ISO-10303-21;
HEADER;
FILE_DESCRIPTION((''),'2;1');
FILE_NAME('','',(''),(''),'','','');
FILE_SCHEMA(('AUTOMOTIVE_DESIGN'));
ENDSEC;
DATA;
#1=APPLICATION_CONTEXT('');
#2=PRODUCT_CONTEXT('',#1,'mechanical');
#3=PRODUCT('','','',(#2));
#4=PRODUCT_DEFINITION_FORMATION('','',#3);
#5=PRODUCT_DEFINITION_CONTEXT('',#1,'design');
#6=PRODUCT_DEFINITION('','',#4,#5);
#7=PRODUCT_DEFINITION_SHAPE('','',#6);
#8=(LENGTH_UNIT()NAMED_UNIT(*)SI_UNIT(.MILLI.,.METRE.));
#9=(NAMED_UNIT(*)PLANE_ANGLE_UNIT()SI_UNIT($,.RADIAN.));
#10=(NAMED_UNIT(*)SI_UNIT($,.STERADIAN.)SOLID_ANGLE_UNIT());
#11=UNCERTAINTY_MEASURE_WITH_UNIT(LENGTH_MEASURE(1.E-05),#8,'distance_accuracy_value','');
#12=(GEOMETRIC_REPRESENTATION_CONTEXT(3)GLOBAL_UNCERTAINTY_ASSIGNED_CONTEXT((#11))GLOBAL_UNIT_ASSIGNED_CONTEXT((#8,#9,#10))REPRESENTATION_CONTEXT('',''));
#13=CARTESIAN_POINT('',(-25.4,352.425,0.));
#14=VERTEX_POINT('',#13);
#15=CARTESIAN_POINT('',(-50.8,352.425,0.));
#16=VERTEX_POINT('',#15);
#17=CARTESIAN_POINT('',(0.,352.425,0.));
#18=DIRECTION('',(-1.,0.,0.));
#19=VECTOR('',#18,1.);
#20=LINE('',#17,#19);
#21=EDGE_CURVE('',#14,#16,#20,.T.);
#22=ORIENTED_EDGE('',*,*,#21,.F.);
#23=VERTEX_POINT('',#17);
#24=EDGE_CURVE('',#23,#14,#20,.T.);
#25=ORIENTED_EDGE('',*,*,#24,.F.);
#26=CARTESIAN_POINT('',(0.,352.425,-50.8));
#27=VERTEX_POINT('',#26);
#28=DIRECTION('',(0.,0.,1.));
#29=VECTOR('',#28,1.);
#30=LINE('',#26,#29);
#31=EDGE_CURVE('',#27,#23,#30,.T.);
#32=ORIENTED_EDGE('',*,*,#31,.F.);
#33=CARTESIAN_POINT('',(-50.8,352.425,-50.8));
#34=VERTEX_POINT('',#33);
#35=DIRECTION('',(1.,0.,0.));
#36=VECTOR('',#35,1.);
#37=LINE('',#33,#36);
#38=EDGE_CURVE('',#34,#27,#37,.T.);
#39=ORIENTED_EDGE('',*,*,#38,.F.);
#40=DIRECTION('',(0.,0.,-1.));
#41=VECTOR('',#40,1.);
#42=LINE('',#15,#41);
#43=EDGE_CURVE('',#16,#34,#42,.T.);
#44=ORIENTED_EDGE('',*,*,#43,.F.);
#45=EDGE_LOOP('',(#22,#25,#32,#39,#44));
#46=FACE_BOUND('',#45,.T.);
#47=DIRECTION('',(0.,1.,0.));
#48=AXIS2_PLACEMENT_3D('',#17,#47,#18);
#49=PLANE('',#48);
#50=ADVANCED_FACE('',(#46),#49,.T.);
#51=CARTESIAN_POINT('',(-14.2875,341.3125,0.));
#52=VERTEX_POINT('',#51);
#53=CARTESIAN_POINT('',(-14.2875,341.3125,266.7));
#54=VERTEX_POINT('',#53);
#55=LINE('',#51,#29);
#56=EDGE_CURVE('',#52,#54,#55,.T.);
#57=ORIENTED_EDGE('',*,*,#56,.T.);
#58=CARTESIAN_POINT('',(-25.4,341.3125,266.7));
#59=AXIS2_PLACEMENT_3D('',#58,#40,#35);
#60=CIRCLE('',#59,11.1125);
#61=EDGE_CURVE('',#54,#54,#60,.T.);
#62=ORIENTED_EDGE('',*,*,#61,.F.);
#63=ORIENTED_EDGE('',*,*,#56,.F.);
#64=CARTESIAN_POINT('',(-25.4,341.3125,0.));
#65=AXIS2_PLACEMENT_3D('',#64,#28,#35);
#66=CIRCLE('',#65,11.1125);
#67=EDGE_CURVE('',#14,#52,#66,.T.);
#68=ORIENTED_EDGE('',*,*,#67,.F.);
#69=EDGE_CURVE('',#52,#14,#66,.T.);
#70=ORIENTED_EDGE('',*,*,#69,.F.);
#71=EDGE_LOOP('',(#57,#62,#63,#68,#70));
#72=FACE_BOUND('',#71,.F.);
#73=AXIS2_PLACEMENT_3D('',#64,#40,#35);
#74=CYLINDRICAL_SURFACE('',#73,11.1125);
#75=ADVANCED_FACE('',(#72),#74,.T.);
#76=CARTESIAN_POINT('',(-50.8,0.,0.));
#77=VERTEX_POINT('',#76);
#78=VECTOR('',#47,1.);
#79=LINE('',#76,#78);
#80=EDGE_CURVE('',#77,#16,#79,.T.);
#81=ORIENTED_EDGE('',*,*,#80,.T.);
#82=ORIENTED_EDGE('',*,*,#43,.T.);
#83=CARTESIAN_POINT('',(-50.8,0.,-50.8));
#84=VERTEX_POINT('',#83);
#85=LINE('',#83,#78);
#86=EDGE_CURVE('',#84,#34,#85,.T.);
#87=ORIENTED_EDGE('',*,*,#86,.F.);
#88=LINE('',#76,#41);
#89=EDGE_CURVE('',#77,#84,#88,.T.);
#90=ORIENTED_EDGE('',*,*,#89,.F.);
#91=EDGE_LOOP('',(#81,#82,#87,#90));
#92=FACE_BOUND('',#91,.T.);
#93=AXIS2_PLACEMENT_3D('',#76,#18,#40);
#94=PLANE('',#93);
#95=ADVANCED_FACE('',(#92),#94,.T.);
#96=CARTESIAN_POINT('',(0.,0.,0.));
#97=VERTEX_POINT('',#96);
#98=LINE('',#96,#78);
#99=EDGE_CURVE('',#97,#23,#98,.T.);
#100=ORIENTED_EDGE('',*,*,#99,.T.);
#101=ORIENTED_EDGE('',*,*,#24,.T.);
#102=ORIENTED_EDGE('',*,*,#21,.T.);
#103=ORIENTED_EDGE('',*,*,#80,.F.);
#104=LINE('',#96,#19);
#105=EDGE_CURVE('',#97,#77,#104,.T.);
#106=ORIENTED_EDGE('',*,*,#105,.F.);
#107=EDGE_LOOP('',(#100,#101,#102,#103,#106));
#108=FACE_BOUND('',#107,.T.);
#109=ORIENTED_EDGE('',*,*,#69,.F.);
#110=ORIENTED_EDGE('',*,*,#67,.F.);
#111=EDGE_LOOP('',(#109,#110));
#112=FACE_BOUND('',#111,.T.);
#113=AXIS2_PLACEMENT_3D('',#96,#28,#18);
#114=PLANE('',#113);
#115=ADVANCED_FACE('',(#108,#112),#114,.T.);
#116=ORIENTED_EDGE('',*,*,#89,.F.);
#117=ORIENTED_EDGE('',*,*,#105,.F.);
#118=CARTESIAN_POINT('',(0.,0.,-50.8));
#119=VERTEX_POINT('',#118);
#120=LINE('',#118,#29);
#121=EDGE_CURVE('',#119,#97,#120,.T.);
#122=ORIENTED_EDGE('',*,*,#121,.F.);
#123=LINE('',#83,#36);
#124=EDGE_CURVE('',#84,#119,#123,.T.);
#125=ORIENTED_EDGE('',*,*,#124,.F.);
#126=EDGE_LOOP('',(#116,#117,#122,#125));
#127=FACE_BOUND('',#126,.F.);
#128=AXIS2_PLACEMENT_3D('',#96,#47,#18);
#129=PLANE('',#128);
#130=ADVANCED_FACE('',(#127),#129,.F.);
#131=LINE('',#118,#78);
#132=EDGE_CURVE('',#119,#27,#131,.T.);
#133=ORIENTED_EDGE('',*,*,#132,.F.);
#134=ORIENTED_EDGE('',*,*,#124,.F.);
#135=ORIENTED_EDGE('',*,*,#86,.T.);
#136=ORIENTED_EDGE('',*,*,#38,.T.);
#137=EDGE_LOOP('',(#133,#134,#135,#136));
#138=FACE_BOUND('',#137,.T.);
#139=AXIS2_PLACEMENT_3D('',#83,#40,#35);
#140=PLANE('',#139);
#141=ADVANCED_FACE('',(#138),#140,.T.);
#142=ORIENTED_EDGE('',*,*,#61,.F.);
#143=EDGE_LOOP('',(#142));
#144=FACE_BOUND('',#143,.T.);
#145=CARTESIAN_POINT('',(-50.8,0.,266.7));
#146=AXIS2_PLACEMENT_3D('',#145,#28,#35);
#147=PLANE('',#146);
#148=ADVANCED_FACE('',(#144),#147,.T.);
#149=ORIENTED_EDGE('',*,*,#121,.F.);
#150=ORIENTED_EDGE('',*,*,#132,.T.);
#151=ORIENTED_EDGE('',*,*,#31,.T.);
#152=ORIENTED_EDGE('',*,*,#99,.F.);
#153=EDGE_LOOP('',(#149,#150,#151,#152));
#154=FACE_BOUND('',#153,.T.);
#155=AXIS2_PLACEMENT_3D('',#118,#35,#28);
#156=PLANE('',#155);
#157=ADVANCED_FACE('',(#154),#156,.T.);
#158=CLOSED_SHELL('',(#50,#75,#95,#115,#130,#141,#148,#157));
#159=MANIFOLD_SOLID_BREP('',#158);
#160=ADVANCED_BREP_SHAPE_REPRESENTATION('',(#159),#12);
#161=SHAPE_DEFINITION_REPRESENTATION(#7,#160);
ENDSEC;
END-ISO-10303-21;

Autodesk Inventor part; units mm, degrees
ref_plane "YZ Plane" through (0, 0, 0) normal (1, 0, 0) x (0, 1, 0)
ref_plane "XZ Plane" through (0, 0, 0) normal (0, 1, 0) x (-1, 0, 0)
ref_plane "XY Plane" through (0, 0, 0) normal (0, 0, 1) x (1, 0, 0)
sketch "Sketch1" plane through (0, 0, 0) normal (0, 1, 0) x (-1, 0, 0)
  line L0 (0, 0) -> (50.8, 0)
  line L1 (50.8, 0) -> (50.8, -50.8)
  line L2 (50.8, -50.8) -> (0, -50.8)
  line L3 (0, -50.8) -> (0, 0)
  dimension "d0" = 50.8
  dimension "d1" = 50.8
extrude "Extrusion1" add sketch "Sketch1" along normal blind 352.425
sketch "Sketch2" plane through (-50.8, 0, 0) normal (0, 0, 1) x (1, 0, 0)
  line L0 (50.8, 0) -> (0, 0) projected
  line L1 (50.8, 0) -> (50.8, 352.425) projected
  line L2 (0, 352.425) -> (50.8, 352.425) projected
  line L3 (0, 0) -> (0, 352.425) projected
  line L4 (0, 352.425) -> (50.8, 352.425) construction
  circle A0 centre (25.4, 341.3125) radius 11.1125
  point P0 (25.4, 352.425)
  dimension "d6" = 11.1125
extrude "Extrusion2" add sketch "Sketch2" along normal blind 266.7 contours A0
properties part number "hookBoi"
